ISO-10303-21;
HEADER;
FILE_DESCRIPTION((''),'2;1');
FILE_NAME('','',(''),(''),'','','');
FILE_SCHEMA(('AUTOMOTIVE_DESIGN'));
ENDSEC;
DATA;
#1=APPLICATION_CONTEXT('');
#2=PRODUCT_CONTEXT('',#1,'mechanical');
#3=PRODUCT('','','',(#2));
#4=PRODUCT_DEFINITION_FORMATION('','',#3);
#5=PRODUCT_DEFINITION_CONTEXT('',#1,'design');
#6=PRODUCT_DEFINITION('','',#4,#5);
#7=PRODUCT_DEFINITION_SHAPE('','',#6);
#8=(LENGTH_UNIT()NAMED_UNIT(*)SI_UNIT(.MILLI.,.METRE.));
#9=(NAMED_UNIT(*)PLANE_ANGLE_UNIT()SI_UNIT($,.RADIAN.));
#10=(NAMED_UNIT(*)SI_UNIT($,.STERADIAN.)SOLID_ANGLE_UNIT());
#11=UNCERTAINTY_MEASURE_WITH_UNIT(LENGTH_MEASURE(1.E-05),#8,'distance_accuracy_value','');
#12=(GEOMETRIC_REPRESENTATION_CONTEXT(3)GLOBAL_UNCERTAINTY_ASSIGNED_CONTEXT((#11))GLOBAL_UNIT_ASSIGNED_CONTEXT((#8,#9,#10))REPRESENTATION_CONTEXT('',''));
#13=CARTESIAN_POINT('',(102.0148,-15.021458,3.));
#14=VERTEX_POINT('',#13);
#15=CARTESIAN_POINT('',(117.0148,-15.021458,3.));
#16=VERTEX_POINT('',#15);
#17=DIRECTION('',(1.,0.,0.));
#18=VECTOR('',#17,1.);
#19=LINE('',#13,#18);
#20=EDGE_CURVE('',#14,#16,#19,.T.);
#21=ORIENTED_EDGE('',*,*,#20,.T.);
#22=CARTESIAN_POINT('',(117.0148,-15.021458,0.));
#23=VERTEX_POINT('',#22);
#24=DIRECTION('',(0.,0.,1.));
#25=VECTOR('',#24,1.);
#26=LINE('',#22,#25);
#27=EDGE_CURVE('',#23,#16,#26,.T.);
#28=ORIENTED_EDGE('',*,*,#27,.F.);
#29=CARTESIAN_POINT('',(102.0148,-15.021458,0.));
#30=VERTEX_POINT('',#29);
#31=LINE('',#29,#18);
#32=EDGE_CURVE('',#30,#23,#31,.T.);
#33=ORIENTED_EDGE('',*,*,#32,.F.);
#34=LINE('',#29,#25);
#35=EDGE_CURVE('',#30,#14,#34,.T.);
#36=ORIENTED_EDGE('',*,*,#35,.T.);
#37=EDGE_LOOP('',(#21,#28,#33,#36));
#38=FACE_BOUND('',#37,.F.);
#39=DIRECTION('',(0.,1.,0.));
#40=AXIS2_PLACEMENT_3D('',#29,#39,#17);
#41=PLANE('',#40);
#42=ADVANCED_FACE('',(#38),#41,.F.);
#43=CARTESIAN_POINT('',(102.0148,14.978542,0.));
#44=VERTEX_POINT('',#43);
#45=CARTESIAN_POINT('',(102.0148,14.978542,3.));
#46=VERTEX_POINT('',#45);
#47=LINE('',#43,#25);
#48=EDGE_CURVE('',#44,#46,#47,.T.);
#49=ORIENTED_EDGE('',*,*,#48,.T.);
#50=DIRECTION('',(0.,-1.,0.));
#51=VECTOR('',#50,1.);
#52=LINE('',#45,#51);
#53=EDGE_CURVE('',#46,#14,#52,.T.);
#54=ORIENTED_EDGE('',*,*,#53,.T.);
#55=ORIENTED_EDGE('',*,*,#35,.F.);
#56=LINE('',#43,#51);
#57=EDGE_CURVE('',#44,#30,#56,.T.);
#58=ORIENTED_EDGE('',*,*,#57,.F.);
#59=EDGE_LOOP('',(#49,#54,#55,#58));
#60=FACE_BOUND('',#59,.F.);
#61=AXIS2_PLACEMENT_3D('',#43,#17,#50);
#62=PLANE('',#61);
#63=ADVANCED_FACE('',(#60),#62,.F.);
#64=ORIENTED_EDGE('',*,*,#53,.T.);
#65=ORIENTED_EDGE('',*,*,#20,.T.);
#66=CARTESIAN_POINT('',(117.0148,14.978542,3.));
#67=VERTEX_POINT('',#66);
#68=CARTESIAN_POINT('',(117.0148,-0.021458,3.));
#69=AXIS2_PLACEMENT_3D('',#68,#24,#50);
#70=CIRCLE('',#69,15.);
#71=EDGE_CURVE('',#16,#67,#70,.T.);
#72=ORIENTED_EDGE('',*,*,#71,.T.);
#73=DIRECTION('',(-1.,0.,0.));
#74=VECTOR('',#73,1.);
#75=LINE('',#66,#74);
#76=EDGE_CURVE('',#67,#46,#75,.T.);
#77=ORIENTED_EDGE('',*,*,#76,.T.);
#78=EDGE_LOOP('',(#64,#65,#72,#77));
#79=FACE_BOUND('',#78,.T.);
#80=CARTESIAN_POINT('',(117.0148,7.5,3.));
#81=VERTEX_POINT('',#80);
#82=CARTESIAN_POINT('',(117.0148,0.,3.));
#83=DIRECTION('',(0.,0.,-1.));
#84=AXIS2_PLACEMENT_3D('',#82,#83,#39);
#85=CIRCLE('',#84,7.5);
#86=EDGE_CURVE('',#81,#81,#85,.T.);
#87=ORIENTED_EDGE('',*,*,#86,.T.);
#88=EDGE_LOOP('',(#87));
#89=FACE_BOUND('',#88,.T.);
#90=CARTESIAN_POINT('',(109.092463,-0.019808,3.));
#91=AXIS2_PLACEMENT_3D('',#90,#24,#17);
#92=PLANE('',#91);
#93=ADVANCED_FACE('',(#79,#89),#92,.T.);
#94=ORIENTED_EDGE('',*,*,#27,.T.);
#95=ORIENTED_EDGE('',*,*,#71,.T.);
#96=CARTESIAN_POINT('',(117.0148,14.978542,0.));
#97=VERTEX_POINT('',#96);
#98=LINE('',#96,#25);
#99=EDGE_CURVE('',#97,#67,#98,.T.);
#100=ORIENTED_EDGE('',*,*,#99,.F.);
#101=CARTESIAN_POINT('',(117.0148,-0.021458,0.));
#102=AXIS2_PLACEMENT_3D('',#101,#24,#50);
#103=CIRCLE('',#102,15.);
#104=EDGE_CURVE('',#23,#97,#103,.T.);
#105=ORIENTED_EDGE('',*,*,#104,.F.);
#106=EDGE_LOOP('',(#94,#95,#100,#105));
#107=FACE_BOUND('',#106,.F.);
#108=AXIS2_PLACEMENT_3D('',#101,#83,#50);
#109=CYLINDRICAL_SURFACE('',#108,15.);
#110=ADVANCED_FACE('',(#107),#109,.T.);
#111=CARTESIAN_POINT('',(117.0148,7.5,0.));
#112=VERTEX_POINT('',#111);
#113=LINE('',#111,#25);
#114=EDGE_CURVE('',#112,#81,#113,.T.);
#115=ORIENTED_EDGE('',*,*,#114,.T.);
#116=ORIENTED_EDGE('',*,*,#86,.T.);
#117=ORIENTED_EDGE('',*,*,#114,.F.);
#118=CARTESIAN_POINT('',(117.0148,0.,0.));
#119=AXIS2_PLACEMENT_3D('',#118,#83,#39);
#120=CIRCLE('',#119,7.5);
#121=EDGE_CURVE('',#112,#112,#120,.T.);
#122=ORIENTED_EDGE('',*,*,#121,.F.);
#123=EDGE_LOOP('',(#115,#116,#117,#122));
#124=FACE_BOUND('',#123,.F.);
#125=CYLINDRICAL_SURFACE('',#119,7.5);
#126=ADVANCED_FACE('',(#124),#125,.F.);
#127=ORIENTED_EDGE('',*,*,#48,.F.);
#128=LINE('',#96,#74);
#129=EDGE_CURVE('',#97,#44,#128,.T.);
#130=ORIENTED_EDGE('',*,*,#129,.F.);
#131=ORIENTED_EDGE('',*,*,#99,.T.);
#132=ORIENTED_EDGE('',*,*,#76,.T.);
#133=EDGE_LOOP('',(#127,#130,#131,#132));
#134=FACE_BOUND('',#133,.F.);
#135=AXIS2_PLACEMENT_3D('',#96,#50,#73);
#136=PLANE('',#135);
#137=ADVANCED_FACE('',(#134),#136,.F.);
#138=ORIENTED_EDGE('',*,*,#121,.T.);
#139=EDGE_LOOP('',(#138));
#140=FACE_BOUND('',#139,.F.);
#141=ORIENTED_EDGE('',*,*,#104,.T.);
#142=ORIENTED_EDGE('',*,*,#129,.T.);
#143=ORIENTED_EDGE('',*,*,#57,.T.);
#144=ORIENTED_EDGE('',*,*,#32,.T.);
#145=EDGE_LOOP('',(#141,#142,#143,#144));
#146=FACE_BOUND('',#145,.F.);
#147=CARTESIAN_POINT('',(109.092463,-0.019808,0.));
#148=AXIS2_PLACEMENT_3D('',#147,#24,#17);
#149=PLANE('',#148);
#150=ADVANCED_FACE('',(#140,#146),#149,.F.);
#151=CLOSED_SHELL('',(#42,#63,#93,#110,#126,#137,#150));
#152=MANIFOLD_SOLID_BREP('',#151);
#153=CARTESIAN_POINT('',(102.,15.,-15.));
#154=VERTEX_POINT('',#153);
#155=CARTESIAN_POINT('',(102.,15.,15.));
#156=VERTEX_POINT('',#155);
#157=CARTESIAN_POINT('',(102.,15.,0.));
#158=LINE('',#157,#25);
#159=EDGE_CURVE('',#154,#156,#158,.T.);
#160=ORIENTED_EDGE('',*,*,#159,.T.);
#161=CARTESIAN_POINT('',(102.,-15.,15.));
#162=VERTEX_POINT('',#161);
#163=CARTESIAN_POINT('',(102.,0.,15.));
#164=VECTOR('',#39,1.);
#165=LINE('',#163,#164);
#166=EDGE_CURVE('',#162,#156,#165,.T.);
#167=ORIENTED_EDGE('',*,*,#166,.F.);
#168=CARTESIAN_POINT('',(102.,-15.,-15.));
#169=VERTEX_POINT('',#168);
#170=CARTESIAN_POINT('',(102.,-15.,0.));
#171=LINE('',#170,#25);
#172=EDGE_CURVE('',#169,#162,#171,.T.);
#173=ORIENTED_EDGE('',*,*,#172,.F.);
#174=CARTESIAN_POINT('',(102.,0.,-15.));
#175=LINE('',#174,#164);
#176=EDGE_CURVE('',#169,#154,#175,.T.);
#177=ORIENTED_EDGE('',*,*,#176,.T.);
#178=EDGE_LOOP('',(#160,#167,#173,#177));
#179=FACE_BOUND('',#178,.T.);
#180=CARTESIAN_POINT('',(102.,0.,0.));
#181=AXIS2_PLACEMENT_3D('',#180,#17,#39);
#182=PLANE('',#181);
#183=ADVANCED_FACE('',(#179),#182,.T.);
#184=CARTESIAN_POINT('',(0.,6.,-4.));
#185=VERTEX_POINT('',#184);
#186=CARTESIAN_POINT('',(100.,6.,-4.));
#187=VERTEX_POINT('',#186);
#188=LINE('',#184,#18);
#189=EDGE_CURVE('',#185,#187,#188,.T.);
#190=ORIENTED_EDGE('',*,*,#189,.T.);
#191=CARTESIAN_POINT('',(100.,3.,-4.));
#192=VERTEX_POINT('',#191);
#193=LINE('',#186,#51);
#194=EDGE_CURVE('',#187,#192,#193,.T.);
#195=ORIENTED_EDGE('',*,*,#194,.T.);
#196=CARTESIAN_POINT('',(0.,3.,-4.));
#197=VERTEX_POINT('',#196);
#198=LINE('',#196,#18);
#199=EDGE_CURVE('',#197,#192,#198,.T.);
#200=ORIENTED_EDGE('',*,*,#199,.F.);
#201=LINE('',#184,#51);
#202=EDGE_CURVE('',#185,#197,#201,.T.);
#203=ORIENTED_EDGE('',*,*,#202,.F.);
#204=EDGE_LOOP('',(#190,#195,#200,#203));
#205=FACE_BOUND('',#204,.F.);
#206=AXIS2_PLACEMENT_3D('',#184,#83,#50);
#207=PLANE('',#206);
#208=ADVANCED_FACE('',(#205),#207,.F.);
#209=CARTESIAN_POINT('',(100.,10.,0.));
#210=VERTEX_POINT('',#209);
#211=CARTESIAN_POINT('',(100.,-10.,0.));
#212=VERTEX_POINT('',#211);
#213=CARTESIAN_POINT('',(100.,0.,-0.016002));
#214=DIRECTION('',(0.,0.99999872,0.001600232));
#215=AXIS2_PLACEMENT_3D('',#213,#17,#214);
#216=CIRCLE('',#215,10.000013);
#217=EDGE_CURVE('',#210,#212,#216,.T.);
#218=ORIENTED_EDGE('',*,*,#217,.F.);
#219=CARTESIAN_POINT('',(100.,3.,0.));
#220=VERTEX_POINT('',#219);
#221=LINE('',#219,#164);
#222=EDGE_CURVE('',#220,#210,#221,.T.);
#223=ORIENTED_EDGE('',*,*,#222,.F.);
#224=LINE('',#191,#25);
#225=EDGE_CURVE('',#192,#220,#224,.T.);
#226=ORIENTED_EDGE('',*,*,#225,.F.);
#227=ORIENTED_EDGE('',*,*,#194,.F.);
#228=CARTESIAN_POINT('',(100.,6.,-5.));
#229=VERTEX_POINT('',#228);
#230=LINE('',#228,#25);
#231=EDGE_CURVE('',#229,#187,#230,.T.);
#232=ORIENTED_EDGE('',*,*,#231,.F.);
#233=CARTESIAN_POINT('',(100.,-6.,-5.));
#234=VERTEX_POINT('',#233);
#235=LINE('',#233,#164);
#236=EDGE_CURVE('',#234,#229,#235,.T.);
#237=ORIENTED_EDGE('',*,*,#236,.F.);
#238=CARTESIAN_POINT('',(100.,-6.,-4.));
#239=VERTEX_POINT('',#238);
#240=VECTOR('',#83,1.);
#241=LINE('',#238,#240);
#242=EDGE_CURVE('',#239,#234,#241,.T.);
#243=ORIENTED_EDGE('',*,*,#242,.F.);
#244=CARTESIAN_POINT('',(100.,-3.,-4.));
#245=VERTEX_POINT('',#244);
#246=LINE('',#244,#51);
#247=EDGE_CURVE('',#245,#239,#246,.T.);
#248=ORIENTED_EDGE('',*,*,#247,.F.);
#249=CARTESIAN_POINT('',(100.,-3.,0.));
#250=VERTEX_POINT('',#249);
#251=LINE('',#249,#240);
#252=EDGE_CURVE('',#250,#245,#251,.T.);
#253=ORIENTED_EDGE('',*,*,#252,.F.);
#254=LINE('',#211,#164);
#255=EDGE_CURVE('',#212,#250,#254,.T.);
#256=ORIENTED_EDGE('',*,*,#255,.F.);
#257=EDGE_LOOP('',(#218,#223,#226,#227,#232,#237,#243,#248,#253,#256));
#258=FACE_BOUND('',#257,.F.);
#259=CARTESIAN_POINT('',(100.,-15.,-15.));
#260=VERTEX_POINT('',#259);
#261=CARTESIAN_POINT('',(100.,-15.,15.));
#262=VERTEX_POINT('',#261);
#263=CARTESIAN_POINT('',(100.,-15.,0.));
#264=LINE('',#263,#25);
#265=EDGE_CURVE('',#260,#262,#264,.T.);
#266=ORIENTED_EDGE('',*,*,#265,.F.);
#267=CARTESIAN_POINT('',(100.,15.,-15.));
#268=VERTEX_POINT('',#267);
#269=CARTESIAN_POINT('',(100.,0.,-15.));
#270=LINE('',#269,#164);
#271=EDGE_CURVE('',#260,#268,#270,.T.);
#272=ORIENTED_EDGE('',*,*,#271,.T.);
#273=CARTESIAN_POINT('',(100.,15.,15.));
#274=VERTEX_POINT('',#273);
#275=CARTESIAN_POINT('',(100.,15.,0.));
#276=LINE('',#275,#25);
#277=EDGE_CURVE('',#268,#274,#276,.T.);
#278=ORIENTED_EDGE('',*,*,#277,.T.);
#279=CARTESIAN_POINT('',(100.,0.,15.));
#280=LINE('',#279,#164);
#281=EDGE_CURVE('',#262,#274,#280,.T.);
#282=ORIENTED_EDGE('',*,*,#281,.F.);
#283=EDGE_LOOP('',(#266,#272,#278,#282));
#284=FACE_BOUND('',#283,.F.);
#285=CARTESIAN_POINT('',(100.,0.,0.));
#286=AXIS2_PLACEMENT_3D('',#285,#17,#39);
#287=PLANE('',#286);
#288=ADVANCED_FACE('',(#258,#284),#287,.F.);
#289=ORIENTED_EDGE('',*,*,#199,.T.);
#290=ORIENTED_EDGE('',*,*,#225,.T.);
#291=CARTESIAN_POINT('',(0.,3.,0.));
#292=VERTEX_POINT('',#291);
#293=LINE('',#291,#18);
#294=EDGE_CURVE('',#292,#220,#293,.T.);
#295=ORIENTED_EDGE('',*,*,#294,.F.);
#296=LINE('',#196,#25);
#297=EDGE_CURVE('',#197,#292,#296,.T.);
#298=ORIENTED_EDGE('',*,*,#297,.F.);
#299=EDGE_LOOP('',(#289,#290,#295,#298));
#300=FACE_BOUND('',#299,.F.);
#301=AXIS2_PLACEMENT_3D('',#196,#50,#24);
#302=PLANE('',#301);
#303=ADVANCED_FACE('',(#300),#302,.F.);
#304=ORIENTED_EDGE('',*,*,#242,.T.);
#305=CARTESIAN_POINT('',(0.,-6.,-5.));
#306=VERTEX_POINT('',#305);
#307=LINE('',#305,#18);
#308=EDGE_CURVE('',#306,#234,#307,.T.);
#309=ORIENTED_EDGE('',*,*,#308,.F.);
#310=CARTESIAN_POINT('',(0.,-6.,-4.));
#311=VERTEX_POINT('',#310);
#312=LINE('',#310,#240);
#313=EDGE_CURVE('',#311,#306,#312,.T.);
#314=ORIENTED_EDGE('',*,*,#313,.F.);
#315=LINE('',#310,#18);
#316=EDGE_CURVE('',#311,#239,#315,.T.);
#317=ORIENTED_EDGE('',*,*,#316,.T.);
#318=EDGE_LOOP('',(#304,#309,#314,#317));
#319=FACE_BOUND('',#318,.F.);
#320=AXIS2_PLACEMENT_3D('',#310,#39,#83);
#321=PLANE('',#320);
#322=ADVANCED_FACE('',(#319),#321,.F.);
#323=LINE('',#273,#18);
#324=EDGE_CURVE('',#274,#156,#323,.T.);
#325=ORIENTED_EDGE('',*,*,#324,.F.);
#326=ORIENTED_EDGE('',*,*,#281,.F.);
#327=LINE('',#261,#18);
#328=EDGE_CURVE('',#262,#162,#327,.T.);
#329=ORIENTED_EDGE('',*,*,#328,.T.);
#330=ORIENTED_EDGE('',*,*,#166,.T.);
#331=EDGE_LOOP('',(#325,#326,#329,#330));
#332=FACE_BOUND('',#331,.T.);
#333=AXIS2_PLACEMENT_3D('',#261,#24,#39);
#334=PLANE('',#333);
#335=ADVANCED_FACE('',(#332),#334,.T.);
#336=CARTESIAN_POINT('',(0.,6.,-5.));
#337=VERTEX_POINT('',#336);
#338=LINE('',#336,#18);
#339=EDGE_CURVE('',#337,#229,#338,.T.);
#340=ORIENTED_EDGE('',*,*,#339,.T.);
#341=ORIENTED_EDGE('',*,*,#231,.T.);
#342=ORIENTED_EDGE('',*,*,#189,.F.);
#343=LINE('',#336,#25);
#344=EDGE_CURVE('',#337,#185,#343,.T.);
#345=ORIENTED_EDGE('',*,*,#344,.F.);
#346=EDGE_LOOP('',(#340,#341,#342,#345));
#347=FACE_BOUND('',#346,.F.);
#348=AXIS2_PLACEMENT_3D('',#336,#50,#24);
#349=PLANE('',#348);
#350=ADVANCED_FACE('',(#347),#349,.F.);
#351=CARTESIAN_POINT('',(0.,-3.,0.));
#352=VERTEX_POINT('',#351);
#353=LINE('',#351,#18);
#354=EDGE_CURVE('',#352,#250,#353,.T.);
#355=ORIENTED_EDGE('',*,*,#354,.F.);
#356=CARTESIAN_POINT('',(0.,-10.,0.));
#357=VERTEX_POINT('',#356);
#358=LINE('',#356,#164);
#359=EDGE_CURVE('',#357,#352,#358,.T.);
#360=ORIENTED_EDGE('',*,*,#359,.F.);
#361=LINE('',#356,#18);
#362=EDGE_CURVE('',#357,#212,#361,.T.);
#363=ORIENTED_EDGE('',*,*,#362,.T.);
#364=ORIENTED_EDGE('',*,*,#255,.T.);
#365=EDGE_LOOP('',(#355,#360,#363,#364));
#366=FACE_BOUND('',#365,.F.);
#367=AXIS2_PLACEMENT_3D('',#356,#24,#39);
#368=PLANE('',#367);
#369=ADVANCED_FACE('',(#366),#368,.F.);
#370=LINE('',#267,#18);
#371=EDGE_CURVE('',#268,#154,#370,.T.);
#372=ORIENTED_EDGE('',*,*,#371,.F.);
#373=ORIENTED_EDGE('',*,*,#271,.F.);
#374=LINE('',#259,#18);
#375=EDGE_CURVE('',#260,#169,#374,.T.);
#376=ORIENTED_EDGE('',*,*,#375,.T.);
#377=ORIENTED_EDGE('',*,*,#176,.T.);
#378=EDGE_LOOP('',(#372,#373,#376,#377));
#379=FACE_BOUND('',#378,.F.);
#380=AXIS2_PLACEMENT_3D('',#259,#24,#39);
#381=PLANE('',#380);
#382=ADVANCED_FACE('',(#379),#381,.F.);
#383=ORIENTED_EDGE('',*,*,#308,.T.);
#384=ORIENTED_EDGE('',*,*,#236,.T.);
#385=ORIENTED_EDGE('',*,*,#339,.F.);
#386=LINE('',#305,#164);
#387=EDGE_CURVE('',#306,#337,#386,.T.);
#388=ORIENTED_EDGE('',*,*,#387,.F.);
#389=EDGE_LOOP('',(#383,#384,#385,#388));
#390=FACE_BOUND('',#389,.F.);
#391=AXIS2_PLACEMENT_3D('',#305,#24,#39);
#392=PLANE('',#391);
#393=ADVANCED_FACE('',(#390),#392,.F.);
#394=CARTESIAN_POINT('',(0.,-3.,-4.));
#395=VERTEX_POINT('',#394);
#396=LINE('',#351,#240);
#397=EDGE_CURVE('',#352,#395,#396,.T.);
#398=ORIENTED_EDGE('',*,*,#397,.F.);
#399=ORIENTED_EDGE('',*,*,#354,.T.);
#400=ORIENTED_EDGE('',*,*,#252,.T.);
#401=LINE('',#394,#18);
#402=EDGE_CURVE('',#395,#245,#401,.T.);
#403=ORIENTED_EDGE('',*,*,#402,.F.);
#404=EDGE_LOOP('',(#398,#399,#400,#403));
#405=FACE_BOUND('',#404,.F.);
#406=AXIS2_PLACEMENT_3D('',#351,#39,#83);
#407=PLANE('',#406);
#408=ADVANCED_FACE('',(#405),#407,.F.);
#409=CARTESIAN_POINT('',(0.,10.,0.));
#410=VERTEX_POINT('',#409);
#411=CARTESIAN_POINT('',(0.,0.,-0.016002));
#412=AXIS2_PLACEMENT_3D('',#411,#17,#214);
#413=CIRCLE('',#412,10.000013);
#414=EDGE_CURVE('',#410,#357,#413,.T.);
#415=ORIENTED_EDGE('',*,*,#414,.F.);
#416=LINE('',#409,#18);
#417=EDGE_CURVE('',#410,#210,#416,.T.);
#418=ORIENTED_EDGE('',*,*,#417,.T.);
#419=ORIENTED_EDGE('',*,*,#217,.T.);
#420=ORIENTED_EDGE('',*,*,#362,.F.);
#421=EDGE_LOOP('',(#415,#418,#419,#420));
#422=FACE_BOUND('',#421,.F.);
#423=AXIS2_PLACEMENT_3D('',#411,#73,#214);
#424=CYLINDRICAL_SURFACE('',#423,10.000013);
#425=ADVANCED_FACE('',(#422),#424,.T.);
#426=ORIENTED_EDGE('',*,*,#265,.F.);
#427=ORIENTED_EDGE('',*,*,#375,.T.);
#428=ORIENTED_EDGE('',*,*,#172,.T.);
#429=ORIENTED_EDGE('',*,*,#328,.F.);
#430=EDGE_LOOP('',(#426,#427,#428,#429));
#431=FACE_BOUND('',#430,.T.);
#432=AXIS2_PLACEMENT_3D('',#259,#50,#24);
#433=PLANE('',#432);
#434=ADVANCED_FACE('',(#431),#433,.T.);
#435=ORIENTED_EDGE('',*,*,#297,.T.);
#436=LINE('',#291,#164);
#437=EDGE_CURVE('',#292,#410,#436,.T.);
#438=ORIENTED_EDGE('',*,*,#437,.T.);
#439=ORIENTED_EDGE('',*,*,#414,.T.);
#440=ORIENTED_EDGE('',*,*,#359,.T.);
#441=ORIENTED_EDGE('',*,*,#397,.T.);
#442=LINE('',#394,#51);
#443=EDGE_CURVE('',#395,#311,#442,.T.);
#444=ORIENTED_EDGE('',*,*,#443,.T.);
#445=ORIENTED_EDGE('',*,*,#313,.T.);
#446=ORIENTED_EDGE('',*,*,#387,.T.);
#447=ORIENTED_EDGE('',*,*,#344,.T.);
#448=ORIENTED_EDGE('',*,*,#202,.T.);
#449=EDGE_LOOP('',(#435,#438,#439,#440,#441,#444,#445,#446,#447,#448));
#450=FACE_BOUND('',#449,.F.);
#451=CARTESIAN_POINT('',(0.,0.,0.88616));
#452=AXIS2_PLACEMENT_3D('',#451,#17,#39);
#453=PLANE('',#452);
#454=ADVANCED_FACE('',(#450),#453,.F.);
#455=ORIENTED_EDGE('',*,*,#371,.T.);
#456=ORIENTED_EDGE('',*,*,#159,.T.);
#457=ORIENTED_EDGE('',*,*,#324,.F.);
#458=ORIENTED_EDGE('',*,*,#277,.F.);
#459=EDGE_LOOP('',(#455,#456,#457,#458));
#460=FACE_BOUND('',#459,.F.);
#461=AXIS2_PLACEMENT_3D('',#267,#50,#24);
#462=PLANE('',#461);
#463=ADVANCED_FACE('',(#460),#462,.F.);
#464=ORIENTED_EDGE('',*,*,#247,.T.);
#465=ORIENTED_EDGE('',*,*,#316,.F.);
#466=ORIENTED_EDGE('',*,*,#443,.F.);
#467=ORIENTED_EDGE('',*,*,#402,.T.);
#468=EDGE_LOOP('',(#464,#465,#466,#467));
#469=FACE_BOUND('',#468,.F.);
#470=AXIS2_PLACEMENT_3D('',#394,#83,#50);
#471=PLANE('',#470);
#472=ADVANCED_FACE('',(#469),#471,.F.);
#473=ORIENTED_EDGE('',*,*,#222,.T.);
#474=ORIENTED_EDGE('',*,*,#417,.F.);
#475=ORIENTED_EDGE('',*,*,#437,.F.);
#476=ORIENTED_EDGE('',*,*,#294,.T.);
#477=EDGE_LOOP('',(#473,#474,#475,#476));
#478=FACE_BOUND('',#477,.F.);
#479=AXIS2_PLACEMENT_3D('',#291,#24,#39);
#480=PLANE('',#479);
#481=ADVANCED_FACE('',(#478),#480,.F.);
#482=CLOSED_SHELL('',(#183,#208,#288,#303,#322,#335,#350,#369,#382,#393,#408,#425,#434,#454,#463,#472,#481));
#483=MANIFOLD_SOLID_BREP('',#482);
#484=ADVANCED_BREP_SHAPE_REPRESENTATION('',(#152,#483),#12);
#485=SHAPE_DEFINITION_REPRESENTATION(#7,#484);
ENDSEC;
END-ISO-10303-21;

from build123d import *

# Parameters (mm, degrees)
F1_DEPTH = 100
F2_W     = 30
F2_H     = 30
F3_DEPTH = 2
F7_DEPTH = 3


with BuildPart() as f1:
    # F0 (on Right) → F1 (new body)
    with BuildSketch(Plane.YZ):
        with BuildLine():
            Line((3, 0), (10, 0))
            ThreePointArc((10, 0), (0, 9.9840104625), (-10, 0))
            Line((-10, 0), (-3, 0))
            Line((-3, 0), (-3, -4))
            Line((-3, -4), (-6, -4))
            Line((-6, -4), (-6, -5))
            Line((-6, -5), (6, -5))
            Line((6, -5), (6, -4))
            Line((6, -4), (3, -4))
            Line((3, -4), (3, 0))
        make_face()
    extrude(amount=F1_DEPTH)

    # F2 (on face) → F3 (join)
    with BuildSketch(Plane.YZ.offset(100)):
        Rectangle(F2_W, F2_H)
    extrude(amount=F3_DEPTH)


with BuildPart() as f7:
    # F6 (on plane+point) → F7 (new body)
    with BuildSketch(Plane.XY):
        with BuildLine():
            Line((117.0148004173, 14.9785418622), (102.0148004173, 14.9785418622))
            Line((102.0148004173, 14.9785418622), (102.0148004173, -15.0214581378))
            Line((102.0148004173, -15.0214581378), (117.0148004173, -15.0214581378))
            Line((117.0148004173, -15.0214581378), (117.0148004173, -7.5))
            ThreePointArc((117.0148004173, -7.5), (109.5148004173, 0), (117.0148004173, 7.5))
            Line((117.0148004173, 7.5), (117.0148004173, 14.9785418622))
        make_face()
        with BuildLine():
            ThreePointArc((117.0148004173, -15.0214581378), (132.0148004173, -0.0214581378), (117.0148004173, 14.9785418622))
            Line((117.0148004173, 14.9785418622), (117.0148004173, 7.5))
            ThreePointArc((117.0148004173, 7.5), (122.3181012762, 5.3033008589), (124.5148004173, 0))
            ThreePointArc((124.5148004173, 0), (122.3181012762, -5.3033008589), (117.0148004173, -7.5))
            Line((117.0148004173, -7.5), (117.0148004173, -15.0214581378))
        make_face()
    extrude(amount=F7_DEPTH)


solid = Compound([f1.part, f7.part])
